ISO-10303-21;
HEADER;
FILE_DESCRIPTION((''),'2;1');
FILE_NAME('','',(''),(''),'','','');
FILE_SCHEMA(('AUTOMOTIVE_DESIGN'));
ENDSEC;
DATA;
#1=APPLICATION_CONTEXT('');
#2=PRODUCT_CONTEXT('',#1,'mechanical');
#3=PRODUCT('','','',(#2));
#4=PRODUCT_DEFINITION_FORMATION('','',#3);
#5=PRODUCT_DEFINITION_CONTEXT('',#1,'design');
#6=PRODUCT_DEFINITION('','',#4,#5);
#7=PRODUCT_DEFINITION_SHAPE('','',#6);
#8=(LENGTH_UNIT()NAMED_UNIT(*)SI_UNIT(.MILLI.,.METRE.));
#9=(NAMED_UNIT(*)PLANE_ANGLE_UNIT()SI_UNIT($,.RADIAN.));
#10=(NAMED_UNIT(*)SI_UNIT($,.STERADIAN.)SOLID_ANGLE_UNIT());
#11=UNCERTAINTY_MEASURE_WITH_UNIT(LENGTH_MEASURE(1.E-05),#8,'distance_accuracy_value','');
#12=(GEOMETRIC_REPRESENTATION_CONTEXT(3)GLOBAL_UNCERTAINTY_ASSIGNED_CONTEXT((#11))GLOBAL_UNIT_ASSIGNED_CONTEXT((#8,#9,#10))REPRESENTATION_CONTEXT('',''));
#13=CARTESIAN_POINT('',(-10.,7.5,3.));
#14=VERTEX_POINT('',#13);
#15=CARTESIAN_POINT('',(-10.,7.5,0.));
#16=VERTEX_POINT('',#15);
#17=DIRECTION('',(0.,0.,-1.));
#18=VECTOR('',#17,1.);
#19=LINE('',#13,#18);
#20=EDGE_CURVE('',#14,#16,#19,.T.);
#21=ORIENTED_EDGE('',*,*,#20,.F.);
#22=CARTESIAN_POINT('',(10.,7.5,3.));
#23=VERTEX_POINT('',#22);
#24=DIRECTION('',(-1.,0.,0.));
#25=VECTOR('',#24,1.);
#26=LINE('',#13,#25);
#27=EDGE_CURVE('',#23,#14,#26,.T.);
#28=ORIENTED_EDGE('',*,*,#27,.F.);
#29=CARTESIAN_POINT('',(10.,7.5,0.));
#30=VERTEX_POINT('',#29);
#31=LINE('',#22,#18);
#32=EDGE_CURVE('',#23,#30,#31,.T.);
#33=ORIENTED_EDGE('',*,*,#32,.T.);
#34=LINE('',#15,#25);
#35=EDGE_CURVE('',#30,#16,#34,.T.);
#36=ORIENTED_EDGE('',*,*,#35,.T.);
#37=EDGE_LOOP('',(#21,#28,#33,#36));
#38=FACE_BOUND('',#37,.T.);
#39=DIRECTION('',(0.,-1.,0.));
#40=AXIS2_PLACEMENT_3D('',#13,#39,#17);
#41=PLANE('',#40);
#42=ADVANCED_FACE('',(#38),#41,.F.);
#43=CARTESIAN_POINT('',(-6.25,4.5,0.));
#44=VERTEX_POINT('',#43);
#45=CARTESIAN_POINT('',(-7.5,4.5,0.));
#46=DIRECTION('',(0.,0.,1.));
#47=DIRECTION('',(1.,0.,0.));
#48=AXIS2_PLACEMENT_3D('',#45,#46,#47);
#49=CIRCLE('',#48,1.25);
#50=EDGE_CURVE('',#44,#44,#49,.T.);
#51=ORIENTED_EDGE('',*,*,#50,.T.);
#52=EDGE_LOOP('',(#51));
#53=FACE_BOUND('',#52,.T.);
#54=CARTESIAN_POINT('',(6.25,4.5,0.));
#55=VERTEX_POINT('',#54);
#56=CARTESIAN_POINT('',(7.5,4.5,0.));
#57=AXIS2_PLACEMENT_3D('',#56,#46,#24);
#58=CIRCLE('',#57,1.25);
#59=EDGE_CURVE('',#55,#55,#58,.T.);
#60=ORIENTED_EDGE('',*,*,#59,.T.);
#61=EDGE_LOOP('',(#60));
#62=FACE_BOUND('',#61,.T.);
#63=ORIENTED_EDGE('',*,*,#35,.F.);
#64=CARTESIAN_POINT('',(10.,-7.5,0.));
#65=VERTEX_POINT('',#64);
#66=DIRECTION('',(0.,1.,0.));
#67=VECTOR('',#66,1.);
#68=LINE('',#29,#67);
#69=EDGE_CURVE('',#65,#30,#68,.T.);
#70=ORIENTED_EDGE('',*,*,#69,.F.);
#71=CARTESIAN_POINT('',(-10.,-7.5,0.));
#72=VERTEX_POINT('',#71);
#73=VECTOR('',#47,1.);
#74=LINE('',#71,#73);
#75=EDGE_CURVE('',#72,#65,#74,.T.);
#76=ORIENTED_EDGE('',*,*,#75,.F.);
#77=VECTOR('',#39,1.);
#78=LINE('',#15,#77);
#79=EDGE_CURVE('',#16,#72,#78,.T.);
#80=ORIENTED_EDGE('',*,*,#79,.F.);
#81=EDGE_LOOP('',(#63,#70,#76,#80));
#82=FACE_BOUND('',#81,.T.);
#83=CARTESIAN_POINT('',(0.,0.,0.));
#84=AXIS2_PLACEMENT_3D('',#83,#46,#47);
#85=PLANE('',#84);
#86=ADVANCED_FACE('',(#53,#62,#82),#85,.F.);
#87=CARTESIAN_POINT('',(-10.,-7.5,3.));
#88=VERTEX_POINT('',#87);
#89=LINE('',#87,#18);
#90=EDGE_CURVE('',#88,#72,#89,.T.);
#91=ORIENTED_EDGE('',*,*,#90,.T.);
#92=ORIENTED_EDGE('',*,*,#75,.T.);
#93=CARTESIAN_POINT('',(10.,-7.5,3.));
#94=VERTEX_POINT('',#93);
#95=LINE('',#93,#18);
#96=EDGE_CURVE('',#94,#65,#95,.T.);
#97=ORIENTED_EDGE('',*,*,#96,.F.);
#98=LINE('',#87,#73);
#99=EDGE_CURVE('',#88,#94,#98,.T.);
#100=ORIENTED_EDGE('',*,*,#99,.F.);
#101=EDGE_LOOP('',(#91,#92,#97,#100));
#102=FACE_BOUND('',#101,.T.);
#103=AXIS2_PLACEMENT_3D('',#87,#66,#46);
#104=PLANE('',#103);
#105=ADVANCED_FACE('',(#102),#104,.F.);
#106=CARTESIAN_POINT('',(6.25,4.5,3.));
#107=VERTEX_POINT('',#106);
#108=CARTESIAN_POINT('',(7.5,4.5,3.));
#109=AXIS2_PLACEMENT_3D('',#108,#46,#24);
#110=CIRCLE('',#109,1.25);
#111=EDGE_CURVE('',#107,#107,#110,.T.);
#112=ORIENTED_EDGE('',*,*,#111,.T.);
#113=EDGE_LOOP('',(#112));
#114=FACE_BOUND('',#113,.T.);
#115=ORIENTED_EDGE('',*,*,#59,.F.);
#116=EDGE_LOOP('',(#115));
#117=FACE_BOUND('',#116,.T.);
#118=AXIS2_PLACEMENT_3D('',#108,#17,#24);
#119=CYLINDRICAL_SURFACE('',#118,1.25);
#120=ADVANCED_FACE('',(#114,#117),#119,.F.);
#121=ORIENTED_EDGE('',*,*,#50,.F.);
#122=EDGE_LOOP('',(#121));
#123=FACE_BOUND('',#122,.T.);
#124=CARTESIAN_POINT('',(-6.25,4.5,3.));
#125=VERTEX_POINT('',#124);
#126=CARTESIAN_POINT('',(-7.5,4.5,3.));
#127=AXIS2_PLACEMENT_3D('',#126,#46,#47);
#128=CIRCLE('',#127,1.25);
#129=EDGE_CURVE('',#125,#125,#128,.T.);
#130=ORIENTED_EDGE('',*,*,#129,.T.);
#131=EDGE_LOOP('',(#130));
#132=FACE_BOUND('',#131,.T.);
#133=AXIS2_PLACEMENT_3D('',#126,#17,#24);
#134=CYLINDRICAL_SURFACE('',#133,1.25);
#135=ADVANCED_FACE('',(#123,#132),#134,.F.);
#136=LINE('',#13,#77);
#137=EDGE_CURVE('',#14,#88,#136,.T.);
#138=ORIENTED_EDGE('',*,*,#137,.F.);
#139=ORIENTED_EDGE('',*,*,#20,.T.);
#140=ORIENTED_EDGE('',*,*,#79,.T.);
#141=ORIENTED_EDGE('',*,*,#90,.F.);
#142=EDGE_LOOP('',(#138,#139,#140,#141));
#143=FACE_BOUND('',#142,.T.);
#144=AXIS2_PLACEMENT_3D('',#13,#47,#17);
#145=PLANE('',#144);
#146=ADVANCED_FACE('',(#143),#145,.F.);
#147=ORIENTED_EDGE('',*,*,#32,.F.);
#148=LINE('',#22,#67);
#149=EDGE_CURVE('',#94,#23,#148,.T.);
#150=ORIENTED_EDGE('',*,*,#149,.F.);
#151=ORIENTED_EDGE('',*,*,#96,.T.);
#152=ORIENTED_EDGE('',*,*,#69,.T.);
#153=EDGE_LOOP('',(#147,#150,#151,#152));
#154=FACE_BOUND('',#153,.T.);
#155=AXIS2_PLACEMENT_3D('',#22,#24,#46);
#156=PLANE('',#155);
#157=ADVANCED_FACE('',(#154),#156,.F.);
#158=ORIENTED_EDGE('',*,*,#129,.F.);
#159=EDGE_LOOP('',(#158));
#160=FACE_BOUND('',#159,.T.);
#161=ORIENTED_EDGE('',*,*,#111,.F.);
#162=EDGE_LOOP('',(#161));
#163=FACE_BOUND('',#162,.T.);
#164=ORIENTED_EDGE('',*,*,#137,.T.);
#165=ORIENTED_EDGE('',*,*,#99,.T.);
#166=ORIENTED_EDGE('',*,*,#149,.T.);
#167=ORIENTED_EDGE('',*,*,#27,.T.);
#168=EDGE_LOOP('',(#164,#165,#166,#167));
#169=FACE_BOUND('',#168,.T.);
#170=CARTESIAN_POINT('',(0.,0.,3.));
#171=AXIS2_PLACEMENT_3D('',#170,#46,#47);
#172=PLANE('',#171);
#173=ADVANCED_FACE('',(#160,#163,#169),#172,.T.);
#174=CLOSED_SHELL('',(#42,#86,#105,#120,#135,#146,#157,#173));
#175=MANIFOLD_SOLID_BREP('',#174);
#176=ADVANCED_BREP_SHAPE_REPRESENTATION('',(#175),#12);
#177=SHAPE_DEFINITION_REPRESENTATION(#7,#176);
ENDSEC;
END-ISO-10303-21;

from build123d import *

# Parameters (mm, degrees)
SKETCH_1_W      = 20
SKETCH_1_H      = 15
SKETCH_1_R      = 1.25
EXTRUDE_1_DEPTH = 3


with BuildPart() as part:
    # 草图1 → 凸台-拉伸1 (new body)
    with BuildSketch(Plane.XY):
        Rectangle(SKETCH_1_W, SKETCH_1_H)
        with Locations((-7.5, 4.5)):
            Circle(SKETCH_1_R, mode=Mode.SUBTRACT)
        with Locations((7.5, 4.5)):
            Circle(SKETCH_1_R, mode=Mode.SUBTRACT)
    extrude(amount=EXTRUDE_1_DEPTH)


solid = part.part
